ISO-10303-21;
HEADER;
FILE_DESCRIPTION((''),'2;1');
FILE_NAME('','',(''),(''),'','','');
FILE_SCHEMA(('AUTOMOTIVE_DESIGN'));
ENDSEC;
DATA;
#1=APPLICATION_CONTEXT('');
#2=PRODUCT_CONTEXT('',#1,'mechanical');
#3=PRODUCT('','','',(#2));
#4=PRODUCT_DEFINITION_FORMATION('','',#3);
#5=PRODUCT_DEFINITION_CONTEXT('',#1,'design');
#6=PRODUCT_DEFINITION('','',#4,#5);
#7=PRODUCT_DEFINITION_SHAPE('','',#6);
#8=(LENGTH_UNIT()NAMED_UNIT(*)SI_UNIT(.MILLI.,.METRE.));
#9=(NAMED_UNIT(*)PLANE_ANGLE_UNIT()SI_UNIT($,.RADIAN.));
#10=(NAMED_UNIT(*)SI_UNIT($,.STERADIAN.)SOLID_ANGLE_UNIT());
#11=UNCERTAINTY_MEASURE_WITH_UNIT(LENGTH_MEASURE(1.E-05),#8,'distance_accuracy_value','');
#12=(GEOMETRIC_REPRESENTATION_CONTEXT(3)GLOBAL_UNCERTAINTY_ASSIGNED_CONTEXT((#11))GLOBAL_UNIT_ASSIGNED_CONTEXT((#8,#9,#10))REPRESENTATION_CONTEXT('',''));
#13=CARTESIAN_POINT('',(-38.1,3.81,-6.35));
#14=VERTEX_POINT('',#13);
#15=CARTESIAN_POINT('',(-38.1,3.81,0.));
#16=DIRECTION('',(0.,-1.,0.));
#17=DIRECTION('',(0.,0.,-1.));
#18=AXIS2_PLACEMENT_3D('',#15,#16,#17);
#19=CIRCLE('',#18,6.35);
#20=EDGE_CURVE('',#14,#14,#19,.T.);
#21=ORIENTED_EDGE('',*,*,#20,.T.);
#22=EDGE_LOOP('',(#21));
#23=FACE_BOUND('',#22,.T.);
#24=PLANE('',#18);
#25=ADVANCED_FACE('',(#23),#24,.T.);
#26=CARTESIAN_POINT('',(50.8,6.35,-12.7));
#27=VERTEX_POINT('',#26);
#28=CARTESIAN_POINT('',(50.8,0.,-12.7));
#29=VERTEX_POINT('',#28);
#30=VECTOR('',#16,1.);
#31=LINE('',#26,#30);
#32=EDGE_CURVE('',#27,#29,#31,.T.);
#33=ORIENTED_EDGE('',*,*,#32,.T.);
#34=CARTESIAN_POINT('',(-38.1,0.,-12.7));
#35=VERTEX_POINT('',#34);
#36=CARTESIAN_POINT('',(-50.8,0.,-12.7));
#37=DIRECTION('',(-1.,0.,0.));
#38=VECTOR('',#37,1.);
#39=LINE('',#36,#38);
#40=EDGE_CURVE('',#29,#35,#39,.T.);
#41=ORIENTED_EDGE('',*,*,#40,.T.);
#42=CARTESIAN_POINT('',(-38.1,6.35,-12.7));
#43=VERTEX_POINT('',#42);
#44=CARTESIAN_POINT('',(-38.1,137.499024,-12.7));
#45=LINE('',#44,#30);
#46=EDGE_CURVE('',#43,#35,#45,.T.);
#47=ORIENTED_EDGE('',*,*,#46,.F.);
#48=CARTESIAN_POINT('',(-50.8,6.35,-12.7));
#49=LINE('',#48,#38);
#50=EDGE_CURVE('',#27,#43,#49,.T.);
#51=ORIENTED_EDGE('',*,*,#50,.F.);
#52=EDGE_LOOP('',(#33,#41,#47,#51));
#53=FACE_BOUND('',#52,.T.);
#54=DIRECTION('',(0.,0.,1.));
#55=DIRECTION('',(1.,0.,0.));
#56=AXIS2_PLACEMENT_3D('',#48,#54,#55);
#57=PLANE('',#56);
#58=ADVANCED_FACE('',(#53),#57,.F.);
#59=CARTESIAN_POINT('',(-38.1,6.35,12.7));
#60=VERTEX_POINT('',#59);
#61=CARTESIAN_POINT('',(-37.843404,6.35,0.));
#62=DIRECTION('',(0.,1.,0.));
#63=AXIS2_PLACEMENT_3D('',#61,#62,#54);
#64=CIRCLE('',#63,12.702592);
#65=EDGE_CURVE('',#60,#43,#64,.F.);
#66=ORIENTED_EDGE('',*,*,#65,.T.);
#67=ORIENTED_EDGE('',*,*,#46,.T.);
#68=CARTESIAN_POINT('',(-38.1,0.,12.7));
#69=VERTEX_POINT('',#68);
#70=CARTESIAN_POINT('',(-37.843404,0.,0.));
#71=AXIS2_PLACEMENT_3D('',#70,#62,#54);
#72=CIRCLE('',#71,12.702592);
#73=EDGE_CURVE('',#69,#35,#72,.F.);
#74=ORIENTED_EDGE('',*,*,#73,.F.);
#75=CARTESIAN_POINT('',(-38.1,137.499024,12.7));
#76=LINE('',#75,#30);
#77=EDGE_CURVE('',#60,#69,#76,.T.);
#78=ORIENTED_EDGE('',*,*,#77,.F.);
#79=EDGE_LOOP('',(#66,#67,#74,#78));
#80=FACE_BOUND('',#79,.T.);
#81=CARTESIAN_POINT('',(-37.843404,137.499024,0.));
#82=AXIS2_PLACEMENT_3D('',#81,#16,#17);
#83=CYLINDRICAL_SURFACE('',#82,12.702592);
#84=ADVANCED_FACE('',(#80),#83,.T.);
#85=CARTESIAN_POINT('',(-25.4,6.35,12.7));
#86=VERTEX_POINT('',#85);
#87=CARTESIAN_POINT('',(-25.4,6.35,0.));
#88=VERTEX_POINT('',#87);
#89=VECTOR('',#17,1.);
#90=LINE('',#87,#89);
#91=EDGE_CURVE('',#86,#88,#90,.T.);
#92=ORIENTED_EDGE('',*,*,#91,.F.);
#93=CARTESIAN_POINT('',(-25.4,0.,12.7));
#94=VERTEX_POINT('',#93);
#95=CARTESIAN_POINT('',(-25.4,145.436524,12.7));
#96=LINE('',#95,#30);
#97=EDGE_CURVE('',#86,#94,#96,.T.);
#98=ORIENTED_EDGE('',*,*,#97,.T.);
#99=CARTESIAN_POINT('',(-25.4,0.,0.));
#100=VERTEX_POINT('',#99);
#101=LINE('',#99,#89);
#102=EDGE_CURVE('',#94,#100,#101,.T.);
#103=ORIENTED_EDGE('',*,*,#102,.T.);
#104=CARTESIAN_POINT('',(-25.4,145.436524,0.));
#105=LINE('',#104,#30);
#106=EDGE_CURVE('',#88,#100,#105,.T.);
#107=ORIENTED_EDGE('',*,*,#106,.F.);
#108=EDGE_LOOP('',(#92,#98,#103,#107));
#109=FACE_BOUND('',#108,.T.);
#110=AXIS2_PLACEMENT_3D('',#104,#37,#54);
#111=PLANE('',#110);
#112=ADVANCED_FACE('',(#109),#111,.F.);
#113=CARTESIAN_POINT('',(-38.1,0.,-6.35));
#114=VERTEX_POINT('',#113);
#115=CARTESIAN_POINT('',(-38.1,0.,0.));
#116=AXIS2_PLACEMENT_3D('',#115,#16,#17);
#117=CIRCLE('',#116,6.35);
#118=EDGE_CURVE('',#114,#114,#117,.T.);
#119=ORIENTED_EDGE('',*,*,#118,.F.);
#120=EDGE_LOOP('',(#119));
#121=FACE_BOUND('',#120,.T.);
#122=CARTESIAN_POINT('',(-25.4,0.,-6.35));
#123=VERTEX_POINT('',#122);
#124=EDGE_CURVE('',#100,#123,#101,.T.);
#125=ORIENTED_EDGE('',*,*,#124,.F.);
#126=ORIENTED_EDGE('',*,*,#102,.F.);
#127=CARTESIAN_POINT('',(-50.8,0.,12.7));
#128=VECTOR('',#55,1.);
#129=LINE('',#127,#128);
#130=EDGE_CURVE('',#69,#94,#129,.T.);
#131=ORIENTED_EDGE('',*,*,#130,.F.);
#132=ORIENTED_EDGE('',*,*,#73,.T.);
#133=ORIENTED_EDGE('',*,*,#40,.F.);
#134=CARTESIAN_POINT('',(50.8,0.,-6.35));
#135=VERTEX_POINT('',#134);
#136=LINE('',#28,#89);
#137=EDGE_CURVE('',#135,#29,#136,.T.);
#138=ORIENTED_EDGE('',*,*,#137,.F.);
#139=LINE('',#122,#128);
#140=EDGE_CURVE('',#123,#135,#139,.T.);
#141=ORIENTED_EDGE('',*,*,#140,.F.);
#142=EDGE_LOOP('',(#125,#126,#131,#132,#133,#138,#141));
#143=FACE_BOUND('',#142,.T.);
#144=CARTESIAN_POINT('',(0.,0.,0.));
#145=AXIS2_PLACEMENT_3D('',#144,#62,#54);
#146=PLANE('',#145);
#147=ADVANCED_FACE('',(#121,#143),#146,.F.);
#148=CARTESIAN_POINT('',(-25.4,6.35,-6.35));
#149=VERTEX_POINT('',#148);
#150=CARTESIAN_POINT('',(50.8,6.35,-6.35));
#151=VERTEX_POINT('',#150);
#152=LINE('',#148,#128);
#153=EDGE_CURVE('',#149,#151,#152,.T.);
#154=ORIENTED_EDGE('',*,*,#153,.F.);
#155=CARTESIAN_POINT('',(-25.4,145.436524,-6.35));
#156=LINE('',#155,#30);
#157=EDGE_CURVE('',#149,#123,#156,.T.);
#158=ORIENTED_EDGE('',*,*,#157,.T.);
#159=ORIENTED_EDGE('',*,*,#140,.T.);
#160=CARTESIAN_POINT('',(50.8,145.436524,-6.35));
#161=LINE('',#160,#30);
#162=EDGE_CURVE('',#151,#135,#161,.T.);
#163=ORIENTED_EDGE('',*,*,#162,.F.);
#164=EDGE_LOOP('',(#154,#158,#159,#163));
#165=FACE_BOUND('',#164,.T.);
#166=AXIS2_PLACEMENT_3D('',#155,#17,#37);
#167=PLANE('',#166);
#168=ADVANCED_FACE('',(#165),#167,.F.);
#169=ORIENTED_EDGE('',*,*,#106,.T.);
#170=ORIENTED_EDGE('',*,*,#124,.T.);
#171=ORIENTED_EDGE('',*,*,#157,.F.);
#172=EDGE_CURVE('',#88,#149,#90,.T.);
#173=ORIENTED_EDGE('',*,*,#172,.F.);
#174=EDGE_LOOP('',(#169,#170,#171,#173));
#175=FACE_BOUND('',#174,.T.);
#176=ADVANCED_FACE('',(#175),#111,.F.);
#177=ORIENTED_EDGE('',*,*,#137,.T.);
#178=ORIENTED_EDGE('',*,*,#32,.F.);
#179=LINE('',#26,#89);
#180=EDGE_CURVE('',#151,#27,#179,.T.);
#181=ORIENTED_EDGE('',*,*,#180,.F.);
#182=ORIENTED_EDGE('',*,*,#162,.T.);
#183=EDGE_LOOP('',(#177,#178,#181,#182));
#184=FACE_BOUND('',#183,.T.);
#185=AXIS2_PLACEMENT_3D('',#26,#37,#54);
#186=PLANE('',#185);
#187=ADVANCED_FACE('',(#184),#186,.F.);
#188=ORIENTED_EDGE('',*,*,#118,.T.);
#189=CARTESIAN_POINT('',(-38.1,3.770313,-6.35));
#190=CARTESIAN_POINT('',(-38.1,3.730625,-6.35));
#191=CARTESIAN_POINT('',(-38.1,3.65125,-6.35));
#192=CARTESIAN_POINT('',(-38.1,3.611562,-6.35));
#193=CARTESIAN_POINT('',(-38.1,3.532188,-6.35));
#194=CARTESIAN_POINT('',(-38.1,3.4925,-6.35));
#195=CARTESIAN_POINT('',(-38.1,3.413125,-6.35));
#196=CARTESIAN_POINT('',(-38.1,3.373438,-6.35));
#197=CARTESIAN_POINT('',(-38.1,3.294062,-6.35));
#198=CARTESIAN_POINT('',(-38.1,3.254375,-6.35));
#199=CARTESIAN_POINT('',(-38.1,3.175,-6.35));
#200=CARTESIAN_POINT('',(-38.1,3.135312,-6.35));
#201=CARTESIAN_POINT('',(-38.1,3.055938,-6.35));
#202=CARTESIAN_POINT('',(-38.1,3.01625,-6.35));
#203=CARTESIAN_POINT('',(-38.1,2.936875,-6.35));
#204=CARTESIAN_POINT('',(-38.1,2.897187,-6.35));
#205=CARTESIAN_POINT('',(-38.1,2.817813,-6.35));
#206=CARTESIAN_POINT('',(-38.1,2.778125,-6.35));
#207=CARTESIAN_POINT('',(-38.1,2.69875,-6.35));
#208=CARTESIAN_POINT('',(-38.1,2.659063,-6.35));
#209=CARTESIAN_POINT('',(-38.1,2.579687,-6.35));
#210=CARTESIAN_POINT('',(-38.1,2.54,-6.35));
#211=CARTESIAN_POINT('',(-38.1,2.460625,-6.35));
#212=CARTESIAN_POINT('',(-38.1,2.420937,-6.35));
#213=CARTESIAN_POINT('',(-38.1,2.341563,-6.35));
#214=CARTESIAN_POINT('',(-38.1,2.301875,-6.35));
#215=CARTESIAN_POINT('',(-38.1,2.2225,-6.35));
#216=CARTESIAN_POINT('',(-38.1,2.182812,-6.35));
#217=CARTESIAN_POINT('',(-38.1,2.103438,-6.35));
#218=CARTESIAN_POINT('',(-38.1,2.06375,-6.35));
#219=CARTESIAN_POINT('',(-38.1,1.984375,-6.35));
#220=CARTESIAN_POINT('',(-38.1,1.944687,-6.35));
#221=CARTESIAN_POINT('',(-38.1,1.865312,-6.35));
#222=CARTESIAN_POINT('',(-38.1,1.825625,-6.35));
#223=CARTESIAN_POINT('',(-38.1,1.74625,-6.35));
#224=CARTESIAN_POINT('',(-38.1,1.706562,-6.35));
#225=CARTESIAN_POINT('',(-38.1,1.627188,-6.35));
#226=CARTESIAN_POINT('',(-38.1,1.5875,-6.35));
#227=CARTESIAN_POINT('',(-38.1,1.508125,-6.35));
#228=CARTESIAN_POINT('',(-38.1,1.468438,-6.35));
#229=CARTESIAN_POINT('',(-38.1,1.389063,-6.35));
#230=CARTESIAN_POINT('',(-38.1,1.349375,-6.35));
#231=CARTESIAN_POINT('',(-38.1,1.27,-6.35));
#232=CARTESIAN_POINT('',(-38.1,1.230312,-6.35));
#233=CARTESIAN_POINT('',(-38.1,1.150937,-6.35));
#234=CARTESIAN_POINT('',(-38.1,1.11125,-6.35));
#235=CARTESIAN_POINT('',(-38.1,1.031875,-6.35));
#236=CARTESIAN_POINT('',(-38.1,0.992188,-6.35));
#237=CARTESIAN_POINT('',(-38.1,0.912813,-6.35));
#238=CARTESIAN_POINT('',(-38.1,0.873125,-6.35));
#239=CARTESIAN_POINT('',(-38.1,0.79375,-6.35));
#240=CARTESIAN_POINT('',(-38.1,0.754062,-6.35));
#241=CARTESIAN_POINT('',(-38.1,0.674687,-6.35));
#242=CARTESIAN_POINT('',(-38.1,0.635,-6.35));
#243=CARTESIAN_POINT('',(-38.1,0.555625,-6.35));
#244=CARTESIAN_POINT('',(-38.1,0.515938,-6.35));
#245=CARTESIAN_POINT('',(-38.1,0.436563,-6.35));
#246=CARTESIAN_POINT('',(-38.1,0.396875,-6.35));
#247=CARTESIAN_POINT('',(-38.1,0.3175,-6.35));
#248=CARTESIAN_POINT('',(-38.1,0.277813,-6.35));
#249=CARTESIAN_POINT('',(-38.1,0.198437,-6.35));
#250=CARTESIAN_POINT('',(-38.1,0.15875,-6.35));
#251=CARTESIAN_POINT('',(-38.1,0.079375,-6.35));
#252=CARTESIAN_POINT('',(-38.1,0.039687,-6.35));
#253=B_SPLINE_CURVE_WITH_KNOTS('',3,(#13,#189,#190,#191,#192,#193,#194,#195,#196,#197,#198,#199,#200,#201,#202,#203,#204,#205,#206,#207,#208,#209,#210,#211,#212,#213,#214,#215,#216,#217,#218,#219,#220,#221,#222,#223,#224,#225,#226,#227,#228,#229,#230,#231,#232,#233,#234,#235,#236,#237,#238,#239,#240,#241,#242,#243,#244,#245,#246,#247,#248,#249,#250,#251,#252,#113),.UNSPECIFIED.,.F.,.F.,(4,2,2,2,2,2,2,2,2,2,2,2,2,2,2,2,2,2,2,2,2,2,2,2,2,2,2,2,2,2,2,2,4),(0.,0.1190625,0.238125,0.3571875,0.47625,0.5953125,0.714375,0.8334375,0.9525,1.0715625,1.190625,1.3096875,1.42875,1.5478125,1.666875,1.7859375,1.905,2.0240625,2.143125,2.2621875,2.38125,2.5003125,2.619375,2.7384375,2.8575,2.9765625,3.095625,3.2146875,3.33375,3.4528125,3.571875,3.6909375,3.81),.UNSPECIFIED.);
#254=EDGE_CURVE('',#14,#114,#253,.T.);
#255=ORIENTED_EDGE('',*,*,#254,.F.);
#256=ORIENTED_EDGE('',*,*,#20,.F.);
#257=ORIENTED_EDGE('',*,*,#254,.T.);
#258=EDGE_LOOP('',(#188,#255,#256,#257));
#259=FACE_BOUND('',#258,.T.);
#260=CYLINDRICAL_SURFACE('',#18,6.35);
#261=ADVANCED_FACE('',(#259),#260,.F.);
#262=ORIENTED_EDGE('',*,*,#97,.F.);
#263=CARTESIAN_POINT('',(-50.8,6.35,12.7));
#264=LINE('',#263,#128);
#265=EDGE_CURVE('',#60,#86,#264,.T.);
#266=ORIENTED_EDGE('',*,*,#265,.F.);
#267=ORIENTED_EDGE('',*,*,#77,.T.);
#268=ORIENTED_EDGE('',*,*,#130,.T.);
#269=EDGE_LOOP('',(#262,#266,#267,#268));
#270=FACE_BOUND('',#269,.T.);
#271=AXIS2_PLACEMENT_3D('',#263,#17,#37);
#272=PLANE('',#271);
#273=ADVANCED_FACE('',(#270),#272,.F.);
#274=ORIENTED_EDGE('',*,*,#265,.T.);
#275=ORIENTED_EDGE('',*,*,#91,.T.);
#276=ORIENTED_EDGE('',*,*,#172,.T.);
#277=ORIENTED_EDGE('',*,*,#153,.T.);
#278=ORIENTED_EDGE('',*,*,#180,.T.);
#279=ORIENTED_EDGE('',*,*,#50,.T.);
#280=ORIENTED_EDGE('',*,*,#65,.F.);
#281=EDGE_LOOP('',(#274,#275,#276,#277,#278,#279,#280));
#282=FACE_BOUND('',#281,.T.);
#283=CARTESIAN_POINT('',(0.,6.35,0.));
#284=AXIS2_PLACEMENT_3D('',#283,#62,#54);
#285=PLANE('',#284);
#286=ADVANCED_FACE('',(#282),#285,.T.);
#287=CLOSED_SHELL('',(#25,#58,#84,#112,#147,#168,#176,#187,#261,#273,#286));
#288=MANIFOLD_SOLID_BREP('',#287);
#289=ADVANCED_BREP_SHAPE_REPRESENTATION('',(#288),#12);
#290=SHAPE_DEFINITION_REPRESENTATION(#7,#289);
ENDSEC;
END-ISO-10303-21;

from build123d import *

# Parameters (mm, degrees)
SKETCH2_W               = 101.6
SKETCH2_H               = 25.4
BOSS_EXTRUDE1_DEPTH     = 6.35
SKETCH3_R               = 6.35
CUT_EXTRUDE1_DEPTH      = 3.81
CUT_EXTRUDE2_DEPTH      = 53.74706153
CUT_EXTRUDE2_DEPTH_BACK = 6.35
CUT_EXTRUDE3_DEPTH      = 53.74706153
CUT_EXTRUDE3_DEPTH_BACK = 6.35


with BuildPart() as part:
    # Sketch2 → Boss-Extrude1 (new body)
    with BuildSketch(Plane(origin=(0, 0, 0), x_dir=(1, 0, 0), z_dir=(0, 1, 0))):
        Rectangle(SKETCH2_W, SKETCH2_H)
    extrude(amount=BOSS_EXTRUDE1_DEPTH)

    # Sketch3 → Cut-Extrude1 (cut)
    with BuildSketch(Plane.XZ):
        with Locations(Location((-38.1, 0, 0), (0, 0, 270))):
            Circle(SKETCH3_R)
    extrude(amount=-CUT_EXTRUDE1_DEPTH, mode=Mode.SUBTRACT)

    # Sketch4 → Cut-Extrude2 (cut, two sides: drawn at the far end of the back side and taken through both)
    with BuildSketch(Plane(origin=(0, 6.35, 0), x_dir=(1, 0, 0), z_dir=(0, 1, 0)).offset(-CUT_EXTRUDE2_DEPTH_BACK)):
        Polygon((267.54102157, 6.35), (50.8, 6.35), (-25.4, 6.35), (-25.4, 0), (-25.4, -12.7), (-25.4, -229.44102157), (246.403770405, -567.12340506), (539.344791976, -331.332383489), align=None)
    extrude(amount=CUT_EXTRUDE2_DEPTH + CUT_EXTRUDE2_DEPTH_BACK, mode=Mode.SUBTRACT)

    # Sketch5 → Cut-Extrude3 (cut, two sides: drawn at the far end of the back side and taken through both)
    with BuildSketch(Plane(origin=(0, 6.35, 0), x_dir=(1, 0, 0), z_dir=(0, 1, 0)).offset(-CUT_EXTRUDE3_DEPTH_BACK)):
        with BuildLine():
            Line((156.775019491, -16.637334418), (-38.1, -12.7))
            ThreePointArc((-38.1, -12.7), (-50.545995938, 0), (-38.1, 12.7))
            Line((-38.1, 12.7), (156.775019491, 16.637334418))
            Line((156.775019491, 16.637334418), (-233.054562885, 16.637334418))
            Line((-233.054562885, 16.637334418), (-233.054562885, -16.637334418))
            Line((-233.054562885, -16.637334418), (156.775019491, -16.637334418))
        make_face()
    extrude(amount=CUT_EXTRUDE3_DEPTH + CUT_EXTRUDE3_DEPTH_BACK, mode=Mode.SUBTRACT)


solid = part.part
